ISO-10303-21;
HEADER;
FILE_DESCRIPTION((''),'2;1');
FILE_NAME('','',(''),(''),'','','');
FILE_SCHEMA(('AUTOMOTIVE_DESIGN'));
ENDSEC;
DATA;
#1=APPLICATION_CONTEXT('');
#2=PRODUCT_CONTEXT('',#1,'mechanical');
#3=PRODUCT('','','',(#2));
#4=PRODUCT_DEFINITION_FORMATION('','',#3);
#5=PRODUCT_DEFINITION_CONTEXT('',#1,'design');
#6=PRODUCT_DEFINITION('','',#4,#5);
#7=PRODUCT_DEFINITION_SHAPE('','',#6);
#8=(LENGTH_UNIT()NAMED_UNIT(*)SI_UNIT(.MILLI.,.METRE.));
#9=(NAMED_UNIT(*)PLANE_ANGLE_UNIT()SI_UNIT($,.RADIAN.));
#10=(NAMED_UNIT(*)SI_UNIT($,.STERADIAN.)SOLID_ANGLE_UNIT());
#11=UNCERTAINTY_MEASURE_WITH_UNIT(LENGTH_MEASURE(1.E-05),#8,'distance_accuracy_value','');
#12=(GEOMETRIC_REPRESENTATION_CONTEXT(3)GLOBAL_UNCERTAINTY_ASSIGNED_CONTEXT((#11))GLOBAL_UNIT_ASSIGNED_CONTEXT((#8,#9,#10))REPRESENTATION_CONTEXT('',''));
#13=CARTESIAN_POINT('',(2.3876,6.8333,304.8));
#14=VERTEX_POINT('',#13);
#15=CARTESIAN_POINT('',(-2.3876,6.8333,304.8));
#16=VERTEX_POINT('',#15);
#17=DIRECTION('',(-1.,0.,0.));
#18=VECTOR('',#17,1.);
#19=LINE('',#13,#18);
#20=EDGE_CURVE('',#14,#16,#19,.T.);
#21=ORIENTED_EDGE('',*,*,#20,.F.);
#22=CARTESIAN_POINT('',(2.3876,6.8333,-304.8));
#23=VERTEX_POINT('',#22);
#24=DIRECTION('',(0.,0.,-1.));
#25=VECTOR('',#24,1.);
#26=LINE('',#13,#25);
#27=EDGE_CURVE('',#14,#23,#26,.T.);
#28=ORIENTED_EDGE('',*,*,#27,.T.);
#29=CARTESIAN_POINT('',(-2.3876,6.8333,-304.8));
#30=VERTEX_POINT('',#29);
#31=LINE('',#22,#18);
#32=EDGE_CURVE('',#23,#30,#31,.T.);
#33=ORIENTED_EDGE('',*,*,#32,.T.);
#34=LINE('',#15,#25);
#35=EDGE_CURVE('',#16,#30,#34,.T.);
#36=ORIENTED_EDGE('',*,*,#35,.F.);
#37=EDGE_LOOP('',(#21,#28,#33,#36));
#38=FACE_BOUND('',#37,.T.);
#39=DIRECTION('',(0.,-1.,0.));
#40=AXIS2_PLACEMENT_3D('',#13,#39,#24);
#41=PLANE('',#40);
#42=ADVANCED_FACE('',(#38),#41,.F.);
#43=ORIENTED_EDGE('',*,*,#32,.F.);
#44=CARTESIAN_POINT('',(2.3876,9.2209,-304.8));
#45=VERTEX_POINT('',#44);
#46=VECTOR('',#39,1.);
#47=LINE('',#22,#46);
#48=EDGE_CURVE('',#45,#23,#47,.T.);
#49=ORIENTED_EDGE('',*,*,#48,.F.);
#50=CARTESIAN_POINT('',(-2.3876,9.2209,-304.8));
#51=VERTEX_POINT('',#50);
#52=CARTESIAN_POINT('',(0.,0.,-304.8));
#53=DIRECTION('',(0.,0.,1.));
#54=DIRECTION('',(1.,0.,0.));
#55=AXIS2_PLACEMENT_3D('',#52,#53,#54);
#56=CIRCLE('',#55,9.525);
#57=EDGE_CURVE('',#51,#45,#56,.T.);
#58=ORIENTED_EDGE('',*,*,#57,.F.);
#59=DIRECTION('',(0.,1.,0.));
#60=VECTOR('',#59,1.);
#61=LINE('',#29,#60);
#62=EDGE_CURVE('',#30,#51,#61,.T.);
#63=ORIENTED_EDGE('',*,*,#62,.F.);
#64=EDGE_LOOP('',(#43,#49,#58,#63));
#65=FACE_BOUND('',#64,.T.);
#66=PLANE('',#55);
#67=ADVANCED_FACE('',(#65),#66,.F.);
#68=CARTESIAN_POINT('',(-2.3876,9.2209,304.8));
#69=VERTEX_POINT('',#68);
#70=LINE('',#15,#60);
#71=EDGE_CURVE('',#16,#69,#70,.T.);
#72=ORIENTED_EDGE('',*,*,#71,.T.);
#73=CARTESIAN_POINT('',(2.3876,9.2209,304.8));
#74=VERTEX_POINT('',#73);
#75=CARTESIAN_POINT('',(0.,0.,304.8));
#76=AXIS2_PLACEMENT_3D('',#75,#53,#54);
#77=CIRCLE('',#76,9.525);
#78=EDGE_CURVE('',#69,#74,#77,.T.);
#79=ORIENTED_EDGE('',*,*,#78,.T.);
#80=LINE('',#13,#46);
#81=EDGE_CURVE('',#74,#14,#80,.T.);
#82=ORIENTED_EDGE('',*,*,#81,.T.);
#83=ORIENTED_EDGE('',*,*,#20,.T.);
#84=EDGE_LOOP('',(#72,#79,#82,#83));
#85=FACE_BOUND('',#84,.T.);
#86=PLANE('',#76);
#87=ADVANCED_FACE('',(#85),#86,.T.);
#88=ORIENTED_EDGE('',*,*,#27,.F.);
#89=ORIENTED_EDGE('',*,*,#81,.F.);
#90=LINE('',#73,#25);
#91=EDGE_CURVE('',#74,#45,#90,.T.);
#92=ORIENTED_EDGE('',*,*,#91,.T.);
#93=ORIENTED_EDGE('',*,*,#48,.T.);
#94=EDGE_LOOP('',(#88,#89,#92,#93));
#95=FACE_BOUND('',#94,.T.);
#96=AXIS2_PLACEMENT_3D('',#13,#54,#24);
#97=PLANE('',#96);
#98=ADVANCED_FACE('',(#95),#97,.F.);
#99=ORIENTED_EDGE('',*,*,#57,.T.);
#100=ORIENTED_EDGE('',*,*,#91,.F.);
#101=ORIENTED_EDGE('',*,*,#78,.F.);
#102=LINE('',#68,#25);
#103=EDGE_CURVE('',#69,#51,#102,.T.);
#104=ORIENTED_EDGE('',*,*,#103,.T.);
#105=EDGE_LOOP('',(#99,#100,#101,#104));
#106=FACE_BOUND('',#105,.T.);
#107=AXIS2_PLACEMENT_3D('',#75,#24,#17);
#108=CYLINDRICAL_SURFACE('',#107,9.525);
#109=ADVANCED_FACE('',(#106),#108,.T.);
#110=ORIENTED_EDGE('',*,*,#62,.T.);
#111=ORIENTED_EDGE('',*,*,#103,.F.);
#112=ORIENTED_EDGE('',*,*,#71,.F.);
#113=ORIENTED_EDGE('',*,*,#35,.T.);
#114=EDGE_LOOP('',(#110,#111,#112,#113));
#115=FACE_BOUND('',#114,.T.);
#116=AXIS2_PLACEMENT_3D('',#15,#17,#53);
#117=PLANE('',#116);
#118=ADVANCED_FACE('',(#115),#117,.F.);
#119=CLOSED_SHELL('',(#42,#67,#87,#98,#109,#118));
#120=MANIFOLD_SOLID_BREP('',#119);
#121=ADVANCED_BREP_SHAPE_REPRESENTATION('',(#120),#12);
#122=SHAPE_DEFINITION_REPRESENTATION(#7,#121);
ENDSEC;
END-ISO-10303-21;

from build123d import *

# Parameters (mm, degrees)
BOSS_EXTRUDE1_DEPTH      = 304.8
BOSS_EXTRUDE1_DEPTH_BACK = 304.8


with BuildPart() as part:
    # Sketch3 → Boss-Extrude1 (new, two sides: drawn at the far end of the back side and taken through both)
    with BuildSketch(Plane.XY.offset(-BOSS_EXTRUDE1_DEPTH_BACK)):
        with BuildLine():
            Line((-2.3876, 6.833299698), (-2.3876, 9.220899698))
            ThreePointArc((-2.3876, 9.220899698), (0, -9.525), (2.3876, 9.220899698))
            Line((2.3876, 9.220899698), (2.3876, 6.833299698))
            Line((2.3876, 6.833299698), (-2.3876, 6.833299698))
        make_face()
    extrude(amount=BOSS_EXTRUDE1_DEPTH + BOSS_EXTRUDE1_DEPTH_BACK)


solid = part.part
